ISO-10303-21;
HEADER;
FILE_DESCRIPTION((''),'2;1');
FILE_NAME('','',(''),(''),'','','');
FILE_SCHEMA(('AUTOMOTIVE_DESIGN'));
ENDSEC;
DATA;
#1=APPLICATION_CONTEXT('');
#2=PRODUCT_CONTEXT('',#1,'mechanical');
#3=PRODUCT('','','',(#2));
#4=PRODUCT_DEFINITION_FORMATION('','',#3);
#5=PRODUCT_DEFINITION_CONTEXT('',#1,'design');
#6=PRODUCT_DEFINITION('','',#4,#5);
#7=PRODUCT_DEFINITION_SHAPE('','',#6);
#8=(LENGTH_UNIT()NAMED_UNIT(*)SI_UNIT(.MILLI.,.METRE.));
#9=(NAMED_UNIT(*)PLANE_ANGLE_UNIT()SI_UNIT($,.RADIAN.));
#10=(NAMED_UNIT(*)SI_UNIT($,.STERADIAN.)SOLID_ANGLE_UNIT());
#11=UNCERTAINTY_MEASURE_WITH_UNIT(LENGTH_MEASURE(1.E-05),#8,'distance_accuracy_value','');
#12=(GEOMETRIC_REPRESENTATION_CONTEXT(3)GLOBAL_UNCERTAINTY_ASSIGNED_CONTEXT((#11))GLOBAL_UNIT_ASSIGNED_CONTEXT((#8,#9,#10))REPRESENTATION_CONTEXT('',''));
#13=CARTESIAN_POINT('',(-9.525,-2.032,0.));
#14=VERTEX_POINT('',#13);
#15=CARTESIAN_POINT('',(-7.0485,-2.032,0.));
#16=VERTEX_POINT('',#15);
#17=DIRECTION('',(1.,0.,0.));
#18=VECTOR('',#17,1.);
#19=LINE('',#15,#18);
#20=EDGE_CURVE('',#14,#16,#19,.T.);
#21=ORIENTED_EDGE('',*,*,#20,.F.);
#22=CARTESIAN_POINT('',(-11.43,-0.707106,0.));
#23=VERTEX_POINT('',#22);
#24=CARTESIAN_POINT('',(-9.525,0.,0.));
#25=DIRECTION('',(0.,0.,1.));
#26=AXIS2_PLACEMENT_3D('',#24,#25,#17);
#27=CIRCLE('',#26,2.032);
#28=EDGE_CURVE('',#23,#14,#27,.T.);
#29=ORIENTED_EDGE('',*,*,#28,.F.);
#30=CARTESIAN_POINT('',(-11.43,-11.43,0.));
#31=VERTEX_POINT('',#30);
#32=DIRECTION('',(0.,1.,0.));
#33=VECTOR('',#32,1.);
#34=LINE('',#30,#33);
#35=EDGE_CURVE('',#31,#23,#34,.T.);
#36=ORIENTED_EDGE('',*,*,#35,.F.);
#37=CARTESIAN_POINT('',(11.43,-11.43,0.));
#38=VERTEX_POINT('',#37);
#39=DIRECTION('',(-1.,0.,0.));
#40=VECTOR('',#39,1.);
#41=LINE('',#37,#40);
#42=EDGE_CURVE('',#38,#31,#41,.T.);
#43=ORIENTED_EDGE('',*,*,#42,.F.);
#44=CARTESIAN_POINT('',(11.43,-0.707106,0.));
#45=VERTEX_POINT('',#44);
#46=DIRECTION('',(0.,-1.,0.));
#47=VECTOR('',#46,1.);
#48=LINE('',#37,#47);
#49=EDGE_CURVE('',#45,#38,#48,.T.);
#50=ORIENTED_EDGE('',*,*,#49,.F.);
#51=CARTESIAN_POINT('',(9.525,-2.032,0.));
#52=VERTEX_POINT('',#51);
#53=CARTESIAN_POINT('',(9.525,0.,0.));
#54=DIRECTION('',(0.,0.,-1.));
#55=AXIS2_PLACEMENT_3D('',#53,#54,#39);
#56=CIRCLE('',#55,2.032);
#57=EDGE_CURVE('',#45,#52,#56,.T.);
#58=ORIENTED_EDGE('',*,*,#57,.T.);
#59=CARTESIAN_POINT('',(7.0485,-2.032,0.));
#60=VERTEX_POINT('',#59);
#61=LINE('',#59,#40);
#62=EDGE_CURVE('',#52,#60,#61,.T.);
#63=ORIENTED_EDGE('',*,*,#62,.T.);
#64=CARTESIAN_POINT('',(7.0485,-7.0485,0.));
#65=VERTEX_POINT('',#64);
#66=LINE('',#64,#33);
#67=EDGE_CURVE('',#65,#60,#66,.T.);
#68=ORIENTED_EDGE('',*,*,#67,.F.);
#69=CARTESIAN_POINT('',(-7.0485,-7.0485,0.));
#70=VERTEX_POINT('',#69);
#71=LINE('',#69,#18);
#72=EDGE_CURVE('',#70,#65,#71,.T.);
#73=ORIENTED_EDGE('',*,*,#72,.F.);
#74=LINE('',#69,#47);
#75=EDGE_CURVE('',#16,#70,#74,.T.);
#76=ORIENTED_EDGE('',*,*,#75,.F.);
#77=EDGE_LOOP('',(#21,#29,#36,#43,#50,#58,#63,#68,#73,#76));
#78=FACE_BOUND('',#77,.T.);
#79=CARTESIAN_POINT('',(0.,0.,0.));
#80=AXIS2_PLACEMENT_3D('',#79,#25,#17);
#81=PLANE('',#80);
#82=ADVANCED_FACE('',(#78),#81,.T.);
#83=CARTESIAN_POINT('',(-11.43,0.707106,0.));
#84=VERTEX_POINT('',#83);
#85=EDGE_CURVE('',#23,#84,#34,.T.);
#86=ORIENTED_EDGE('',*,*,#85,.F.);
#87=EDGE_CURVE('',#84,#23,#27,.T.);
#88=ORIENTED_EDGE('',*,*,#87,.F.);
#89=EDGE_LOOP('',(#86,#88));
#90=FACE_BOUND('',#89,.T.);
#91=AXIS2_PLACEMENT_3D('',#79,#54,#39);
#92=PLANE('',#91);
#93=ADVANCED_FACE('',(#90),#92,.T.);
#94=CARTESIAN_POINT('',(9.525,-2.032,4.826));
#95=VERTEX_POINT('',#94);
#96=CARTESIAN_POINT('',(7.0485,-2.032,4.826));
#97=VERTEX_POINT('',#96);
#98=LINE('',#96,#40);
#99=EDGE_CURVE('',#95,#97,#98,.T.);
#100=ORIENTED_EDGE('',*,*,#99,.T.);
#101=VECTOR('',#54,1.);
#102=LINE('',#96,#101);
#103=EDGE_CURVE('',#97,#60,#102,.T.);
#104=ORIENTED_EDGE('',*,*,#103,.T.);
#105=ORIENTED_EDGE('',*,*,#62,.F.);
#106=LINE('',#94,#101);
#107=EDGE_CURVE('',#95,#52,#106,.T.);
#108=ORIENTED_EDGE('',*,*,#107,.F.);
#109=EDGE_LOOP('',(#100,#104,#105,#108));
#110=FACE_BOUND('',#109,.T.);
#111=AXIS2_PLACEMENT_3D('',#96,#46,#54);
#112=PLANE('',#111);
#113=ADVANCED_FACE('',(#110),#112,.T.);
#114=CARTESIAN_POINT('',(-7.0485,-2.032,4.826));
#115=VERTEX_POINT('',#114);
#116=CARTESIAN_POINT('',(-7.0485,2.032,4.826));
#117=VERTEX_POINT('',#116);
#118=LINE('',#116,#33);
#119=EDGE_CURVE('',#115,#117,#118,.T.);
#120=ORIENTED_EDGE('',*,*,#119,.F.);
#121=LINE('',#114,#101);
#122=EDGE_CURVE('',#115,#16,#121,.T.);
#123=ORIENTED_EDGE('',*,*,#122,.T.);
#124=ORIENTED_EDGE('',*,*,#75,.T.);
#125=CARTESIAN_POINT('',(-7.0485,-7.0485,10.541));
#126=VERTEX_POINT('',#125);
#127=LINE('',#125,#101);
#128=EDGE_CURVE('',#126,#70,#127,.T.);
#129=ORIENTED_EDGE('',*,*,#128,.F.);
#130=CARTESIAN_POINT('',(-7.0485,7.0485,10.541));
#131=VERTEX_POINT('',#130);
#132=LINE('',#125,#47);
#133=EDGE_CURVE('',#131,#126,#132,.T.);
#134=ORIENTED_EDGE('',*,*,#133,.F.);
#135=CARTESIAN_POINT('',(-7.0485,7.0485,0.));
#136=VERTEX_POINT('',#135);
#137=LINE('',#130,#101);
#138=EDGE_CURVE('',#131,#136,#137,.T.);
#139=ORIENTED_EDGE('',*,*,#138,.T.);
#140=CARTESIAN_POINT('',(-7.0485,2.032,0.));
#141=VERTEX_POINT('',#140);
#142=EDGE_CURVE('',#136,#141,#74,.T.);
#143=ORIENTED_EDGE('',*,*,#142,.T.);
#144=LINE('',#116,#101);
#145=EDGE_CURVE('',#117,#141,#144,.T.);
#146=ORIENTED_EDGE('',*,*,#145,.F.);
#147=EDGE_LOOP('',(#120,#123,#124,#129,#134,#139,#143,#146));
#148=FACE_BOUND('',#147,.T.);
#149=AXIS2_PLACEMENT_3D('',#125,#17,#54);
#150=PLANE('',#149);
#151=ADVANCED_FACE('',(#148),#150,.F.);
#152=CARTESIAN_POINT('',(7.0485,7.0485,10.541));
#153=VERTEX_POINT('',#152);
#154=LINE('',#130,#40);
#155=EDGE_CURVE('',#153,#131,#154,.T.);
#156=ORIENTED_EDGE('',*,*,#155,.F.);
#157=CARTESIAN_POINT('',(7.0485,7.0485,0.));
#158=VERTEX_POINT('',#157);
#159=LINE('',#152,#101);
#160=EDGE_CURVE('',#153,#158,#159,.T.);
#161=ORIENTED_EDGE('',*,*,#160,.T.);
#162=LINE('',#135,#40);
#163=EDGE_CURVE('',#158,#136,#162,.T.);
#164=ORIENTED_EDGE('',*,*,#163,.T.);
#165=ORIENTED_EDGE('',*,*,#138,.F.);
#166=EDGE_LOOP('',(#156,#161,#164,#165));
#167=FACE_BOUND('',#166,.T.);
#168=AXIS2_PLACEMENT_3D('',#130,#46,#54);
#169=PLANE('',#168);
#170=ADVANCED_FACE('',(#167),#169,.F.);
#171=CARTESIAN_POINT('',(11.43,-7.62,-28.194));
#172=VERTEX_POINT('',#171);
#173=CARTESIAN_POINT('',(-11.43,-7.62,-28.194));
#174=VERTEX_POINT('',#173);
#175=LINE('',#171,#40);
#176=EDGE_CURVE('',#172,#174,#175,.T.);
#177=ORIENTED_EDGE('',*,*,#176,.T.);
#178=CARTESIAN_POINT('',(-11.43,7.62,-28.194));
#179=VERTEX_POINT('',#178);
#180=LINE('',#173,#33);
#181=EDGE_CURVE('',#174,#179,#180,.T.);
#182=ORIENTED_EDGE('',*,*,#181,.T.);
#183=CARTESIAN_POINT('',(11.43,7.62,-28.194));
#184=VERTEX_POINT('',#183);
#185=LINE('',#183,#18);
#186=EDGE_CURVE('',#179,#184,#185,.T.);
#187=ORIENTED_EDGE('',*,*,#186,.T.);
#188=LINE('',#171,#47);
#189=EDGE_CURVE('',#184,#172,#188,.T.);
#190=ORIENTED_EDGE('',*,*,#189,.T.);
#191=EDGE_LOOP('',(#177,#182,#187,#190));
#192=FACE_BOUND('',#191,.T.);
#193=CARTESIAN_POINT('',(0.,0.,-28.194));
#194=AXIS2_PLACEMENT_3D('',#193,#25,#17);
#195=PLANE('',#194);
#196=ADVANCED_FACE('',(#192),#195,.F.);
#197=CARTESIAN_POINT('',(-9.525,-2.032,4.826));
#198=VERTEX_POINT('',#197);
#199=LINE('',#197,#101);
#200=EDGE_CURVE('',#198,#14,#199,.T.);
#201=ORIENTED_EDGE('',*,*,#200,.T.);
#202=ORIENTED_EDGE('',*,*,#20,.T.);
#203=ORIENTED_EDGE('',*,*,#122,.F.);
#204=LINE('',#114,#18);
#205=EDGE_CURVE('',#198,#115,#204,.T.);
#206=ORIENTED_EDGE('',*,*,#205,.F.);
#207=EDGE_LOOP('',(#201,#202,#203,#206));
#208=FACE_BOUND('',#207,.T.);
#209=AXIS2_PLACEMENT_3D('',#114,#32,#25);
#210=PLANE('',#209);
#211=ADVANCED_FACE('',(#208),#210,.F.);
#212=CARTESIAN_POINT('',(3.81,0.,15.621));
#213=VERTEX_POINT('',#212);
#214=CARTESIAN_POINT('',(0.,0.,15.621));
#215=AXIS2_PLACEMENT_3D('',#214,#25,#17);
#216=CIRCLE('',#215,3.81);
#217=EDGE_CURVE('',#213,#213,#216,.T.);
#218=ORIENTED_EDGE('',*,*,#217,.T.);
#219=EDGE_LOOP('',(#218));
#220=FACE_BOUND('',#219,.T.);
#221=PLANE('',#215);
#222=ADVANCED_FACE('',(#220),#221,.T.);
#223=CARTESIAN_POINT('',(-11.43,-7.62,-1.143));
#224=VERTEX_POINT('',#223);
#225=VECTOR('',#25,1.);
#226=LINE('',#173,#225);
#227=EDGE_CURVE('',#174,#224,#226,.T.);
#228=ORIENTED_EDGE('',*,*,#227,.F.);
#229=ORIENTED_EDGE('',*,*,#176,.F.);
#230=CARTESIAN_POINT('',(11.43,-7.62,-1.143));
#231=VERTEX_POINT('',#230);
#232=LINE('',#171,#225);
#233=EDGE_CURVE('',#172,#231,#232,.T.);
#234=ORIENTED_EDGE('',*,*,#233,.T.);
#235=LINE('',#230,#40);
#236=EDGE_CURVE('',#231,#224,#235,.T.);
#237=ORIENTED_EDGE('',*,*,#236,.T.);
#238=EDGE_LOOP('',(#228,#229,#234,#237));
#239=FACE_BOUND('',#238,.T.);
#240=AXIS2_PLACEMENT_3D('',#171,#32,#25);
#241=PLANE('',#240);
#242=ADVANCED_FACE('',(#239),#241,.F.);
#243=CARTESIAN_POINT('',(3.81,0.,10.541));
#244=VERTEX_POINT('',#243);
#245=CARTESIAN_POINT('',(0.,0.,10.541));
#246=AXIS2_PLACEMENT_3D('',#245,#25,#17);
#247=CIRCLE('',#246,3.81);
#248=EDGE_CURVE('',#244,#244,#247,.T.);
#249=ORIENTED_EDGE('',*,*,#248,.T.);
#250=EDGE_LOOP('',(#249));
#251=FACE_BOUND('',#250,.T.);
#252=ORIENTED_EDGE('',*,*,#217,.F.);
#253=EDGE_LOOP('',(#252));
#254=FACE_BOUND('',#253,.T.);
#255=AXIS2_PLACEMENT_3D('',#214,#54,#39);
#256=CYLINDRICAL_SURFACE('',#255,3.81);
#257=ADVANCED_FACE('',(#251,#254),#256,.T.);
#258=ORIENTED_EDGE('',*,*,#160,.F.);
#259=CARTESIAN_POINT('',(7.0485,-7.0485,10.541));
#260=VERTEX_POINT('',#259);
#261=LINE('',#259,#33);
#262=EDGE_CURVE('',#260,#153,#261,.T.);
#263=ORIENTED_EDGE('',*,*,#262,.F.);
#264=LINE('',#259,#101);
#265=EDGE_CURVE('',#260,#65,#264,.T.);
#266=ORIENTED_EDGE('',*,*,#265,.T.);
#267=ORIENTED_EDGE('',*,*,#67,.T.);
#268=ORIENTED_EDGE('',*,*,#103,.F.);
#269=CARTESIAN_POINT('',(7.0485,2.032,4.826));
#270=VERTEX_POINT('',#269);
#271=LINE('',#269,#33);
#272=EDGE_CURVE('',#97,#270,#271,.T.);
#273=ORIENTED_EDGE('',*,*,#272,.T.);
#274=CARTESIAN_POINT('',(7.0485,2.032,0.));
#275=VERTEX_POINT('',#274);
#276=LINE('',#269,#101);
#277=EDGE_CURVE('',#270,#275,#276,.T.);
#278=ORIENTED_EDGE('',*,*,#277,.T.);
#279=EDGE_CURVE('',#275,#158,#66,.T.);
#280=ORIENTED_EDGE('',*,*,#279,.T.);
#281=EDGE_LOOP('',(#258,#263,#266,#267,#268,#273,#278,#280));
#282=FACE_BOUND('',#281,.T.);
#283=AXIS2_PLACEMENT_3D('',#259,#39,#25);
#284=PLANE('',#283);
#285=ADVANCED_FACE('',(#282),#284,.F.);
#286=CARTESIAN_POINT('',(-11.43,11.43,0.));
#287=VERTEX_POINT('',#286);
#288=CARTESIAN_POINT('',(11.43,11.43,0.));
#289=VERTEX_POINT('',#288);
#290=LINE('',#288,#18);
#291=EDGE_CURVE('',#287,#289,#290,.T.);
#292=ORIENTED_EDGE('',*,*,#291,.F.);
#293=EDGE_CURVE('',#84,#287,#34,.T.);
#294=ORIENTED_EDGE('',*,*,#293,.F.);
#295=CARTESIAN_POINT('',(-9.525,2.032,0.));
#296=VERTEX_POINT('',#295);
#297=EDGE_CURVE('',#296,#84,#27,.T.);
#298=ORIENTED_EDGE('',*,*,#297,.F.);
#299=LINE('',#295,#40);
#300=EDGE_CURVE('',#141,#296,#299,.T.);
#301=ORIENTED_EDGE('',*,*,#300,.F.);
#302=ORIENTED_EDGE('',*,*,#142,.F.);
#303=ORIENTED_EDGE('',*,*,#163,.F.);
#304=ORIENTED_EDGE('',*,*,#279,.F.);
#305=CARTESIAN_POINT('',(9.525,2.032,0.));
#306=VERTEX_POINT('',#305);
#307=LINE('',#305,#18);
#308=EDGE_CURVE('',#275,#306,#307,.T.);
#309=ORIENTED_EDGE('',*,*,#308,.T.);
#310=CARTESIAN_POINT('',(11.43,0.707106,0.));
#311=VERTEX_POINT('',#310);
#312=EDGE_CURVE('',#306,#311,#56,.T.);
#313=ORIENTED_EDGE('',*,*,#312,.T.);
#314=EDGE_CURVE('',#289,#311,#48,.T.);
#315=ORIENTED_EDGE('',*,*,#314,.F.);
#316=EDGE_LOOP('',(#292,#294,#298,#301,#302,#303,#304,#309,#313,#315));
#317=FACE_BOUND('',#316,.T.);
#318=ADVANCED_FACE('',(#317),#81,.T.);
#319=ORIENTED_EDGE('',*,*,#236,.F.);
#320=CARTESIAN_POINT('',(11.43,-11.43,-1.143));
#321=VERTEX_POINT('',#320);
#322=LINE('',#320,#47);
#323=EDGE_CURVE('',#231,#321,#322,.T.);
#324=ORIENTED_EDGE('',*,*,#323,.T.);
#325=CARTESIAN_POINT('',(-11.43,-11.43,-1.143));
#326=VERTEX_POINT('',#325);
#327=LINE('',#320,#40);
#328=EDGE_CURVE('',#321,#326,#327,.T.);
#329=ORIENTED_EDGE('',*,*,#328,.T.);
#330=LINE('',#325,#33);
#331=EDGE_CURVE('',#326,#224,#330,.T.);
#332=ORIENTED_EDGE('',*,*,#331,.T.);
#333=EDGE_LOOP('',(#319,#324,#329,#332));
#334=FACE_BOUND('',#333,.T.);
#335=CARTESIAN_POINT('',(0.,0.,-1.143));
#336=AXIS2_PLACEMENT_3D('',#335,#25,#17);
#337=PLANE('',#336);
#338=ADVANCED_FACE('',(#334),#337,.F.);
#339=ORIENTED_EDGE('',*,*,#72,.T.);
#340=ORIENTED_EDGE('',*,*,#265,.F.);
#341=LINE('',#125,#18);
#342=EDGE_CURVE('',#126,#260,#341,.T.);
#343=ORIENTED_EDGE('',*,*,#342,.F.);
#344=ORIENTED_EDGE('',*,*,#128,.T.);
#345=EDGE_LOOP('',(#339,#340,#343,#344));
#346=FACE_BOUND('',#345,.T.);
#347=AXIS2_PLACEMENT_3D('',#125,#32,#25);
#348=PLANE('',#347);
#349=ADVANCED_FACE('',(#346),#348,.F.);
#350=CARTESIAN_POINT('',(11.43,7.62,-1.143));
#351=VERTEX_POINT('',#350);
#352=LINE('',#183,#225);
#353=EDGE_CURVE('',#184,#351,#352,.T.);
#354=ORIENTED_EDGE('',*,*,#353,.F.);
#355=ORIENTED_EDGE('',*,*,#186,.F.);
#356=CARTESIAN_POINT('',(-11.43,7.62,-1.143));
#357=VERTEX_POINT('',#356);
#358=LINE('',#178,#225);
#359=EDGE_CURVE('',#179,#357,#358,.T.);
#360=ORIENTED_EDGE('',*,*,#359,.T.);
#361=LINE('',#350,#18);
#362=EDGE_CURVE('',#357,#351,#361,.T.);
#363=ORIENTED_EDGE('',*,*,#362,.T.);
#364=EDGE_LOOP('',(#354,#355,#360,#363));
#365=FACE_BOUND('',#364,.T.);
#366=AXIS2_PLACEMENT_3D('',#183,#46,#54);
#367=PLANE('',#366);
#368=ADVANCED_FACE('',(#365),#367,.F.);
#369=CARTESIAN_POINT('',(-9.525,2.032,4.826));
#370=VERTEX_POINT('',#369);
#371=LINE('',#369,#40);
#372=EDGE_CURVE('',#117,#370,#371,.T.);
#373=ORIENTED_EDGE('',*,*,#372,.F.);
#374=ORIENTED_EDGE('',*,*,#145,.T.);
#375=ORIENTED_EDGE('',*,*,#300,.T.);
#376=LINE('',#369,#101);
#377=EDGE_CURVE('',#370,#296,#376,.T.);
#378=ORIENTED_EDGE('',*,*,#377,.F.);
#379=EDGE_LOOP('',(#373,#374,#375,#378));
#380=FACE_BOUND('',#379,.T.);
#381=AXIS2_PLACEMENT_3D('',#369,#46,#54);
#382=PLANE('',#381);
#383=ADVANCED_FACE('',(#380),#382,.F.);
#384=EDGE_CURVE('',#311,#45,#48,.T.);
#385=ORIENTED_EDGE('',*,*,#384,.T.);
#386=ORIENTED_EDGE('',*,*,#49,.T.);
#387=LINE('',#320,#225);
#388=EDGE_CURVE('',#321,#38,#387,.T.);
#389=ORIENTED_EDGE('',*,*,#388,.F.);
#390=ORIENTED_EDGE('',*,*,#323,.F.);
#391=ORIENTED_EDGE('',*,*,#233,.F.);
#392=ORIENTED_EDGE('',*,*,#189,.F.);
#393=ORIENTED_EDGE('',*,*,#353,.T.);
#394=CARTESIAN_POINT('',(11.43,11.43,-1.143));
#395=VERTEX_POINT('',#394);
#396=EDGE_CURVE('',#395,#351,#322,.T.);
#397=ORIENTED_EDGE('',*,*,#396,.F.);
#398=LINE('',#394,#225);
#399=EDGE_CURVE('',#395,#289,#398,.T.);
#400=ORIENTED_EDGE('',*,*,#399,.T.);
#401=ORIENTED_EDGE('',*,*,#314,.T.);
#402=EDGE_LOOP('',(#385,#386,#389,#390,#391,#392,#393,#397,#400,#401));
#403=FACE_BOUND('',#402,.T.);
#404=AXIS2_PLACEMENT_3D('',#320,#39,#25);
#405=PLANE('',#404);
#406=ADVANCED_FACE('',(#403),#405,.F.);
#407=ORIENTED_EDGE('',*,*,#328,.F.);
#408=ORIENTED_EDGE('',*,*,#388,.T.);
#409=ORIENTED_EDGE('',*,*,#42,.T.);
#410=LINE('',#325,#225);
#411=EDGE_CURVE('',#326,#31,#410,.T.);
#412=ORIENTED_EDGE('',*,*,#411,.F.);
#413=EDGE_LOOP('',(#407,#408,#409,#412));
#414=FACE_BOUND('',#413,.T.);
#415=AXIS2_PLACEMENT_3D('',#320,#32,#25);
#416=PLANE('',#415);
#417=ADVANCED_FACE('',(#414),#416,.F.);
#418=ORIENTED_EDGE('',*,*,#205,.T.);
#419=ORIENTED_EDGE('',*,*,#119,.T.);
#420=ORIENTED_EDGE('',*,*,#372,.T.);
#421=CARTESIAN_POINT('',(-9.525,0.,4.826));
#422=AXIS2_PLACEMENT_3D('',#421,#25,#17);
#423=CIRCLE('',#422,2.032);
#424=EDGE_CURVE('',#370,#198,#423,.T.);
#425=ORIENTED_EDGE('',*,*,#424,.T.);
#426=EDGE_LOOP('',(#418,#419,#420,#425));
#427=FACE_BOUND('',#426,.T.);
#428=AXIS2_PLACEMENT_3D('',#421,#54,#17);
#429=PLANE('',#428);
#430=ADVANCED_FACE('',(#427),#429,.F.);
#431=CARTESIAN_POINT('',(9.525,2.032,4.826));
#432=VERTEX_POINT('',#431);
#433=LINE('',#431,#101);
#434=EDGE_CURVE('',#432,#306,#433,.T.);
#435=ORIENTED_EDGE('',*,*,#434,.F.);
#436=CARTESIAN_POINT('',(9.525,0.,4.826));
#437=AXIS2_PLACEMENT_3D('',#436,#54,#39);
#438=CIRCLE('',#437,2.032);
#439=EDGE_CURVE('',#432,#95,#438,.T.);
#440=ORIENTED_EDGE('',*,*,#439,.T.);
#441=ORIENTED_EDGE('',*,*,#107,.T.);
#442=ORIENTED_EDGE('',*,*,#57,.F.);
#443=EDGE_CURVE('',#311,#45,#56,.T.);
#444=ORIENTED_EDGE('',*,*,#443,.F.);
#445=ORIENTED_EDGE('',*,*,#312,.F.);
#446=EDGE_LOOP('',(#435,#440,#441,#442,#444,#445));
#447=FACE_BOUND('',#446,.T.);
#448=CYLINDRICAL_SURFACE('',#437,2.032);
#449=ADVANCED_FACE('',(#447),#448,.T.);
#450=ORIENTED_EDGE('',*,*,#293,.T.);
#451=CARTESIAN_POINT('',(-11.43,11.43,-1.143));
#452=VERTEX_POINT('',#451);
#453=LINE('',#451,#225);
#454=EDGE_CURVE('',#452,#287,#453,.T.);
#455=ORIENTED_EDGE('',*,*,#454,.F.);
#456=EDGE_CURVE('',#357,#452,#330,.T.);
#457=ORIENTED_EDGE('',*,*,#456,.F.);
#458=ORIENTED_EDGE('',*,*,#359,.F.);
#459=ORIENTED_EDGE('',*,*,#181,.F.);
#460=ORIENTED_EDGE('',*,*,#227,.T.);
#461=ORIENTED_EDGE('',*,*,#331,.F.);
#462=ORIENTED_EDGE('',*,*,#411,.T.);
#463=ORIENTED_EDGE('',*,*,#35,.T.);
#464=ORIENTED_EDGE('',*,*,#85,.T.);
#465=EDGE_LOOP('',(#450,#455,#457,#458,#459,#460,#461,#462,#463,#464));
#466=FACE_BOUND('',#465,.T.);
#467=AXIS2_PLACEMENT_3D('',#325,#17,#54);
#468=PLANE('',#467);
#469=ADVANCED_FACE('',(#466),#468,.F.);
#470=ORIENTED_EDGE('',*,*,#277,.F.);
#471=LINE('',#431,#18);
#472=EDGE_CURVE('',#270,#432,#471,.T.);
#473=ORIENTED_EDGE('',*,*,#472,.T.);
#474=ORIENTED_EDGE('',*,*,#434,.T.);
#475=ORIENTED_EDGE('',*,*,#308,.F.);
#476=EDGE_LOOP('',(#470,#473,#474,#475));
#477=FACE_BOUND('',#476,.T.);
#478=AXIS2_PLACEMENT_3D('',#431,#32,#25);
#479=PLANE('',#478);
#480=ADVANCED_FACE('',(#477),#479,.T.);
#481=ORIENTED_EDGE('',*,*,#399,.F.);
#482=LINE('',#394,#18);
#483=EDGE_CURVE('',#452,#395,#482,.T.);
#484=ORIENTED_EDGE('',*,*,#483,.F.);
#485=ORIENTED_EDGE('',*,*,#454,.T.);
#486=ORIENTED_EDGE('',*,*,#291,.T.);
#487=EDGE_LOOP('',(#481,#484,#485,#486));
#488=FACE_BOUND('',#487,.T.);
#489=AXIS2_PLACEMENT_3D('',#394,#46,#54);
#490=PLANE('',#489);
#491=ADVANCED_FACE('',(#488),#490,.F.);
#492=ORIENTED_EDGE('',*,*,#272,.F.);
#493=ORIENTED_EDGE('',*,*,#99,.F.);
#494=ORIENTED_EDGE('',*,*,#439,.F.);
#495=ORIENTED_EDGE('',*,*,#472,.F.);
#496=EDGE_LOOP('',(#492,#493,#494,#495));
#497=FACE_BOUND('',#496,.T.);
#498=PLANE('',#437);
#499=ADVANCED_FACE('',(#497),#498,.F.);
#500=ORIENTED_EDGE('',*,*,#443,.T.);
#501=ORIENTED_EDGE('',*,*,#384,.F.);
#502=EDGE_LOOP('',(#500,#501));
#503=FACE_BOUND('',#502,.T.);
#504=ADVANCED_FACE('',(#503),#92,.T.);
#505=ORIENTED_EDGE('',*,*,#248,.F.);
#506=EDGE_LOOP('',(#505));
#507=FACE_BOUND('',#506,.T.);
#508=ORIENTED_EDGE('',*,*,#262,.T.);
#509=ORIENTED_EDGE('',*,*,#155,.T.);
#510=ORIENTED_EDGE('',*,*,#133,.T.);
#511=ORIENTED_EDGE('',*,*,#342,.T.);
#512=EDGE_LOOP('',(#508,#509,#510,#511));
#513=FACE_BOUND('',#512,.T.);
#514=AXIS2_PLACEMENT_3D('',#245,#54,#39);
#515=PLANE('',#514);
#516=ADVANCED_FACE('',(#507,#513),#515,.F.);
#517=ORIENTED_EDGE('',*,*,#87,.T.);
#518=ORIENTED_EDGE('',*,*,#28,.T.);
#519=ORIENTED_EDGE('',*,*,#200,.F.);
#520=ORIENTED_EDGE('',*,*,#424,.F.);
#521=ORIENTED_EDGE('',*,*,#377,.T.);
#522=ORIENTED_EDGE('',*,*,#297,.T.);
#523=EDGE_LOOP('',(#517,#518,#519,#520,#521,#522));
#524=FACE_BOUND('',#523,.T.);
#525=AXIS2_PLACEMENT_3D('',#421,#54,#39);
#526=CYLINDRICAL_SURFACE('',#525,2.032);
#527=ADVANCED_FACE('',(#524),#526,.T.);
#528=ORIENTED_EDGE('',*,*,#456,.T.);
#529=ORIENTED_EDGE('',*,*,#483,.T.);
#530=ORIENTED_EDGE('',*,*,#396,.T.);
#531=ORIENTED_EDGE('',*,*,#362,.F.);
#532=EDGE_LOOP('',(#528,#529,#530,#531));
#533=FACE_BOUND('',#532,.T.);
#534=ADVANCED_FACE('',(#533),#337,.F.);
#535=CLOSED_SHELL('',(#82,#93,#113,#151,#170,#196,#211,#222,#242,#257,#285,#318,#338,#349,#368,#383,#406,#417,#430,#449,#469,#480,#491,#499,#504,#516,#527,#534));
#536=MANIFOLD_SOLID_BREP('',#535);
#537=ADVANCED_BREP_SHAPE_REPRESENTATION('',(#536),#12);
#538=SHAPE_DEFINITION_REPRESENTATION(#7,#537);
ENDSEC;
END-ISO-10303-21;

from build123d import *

# Parameters (mm, degrees)
SKETCH1_W           = 14.097
SKETCH1_H           = 14.097
BOSS_EXTRUDE1_DEPTH = 10.541
SKETCH2_R           = 3.81
BOSS_EXTRUDE2_DEPTH = 5.08
BOSS_EXTRUDE3_DEPTH = 4.826
SKETCH4_W           = 22.86
SKETCH4_H           = 22.86
BOSS_EXTRUDE4_DEPTH = 1.143
SKETCH5_W           = 22.86
SKETCH5_H           = 15.24
BOSS_EXTRUDE5_DEPTH = 27.051


with BuildPart() as part:
    # Sketch1 → Boss-Extrude1 (new body)
    with BuildSketch(Plane.XY):
        Rectangle(SKETCH1_W, SKETCH1_H)
    extrude(amount=BOSS_EXTRUDE1_DEPTH)

    # Sketch2 → Boss-Extrude2 (add)
    with BuildSketch(Plane.XY.offset(10.541)):
        Circle(SKETCH2_R)
    extrude(amount=BOSS_EXTRUDE2_DEPTH)

    # Sketch3 → Boss-Extrude3 (add)
    with BuildSketch(Plane(origin=(0, 0, 0), x_dir=(-1, 0, 0), z_dir=(0, 0, -1))):
        with BuildLine():
            Line((-9.525, 2.032), (-7.0485, 2.032))
            Line((-7.0485, 2.032), (-7.0485, -2.032))
            Line((-7.0485, -2.032), (-9.525, -2.032))
            ThreePointArc((-9.525, -2.032), (-11.557, 0), (-9.525, 2.032))
        make_face()
    boss_extrude3 = extrude(amount=-BOSS_EXTRUDE3_DEPTH)

    # Mirror1: Boss-Extrude3 across plane
    add(boss_extrude3.mirror(Plane(origin=(0, 0, 0), x_dir=(0, 0, 1), z_dir=(1, 0, 0))))

    # Sketch4 → Boss-Extrude4 (add)
    with BuildSketch(Plane(origin=(0, 0, 0), x_dir=(-1, 0, 0), z_dir=(0, 0, -1))):
        Rectangle(SKETCH4_W, SKETCH4_H)
    extrude(amount=BOSS_EXTRUDE4_DEPTH)

    # Sketch5 → Boss-Extrude5 (add)
    with BuildSketch(Plane(origin=(0, 0, -1.143), x_dir=(-1, 0, 0), z_dir=(0, 0, -1))):
        Rectangle(SKETCH5_W, SKETCH5_H)
    extrude(amount=BOSS_EXTRUDE5_DEPTH)


solid = part.part
